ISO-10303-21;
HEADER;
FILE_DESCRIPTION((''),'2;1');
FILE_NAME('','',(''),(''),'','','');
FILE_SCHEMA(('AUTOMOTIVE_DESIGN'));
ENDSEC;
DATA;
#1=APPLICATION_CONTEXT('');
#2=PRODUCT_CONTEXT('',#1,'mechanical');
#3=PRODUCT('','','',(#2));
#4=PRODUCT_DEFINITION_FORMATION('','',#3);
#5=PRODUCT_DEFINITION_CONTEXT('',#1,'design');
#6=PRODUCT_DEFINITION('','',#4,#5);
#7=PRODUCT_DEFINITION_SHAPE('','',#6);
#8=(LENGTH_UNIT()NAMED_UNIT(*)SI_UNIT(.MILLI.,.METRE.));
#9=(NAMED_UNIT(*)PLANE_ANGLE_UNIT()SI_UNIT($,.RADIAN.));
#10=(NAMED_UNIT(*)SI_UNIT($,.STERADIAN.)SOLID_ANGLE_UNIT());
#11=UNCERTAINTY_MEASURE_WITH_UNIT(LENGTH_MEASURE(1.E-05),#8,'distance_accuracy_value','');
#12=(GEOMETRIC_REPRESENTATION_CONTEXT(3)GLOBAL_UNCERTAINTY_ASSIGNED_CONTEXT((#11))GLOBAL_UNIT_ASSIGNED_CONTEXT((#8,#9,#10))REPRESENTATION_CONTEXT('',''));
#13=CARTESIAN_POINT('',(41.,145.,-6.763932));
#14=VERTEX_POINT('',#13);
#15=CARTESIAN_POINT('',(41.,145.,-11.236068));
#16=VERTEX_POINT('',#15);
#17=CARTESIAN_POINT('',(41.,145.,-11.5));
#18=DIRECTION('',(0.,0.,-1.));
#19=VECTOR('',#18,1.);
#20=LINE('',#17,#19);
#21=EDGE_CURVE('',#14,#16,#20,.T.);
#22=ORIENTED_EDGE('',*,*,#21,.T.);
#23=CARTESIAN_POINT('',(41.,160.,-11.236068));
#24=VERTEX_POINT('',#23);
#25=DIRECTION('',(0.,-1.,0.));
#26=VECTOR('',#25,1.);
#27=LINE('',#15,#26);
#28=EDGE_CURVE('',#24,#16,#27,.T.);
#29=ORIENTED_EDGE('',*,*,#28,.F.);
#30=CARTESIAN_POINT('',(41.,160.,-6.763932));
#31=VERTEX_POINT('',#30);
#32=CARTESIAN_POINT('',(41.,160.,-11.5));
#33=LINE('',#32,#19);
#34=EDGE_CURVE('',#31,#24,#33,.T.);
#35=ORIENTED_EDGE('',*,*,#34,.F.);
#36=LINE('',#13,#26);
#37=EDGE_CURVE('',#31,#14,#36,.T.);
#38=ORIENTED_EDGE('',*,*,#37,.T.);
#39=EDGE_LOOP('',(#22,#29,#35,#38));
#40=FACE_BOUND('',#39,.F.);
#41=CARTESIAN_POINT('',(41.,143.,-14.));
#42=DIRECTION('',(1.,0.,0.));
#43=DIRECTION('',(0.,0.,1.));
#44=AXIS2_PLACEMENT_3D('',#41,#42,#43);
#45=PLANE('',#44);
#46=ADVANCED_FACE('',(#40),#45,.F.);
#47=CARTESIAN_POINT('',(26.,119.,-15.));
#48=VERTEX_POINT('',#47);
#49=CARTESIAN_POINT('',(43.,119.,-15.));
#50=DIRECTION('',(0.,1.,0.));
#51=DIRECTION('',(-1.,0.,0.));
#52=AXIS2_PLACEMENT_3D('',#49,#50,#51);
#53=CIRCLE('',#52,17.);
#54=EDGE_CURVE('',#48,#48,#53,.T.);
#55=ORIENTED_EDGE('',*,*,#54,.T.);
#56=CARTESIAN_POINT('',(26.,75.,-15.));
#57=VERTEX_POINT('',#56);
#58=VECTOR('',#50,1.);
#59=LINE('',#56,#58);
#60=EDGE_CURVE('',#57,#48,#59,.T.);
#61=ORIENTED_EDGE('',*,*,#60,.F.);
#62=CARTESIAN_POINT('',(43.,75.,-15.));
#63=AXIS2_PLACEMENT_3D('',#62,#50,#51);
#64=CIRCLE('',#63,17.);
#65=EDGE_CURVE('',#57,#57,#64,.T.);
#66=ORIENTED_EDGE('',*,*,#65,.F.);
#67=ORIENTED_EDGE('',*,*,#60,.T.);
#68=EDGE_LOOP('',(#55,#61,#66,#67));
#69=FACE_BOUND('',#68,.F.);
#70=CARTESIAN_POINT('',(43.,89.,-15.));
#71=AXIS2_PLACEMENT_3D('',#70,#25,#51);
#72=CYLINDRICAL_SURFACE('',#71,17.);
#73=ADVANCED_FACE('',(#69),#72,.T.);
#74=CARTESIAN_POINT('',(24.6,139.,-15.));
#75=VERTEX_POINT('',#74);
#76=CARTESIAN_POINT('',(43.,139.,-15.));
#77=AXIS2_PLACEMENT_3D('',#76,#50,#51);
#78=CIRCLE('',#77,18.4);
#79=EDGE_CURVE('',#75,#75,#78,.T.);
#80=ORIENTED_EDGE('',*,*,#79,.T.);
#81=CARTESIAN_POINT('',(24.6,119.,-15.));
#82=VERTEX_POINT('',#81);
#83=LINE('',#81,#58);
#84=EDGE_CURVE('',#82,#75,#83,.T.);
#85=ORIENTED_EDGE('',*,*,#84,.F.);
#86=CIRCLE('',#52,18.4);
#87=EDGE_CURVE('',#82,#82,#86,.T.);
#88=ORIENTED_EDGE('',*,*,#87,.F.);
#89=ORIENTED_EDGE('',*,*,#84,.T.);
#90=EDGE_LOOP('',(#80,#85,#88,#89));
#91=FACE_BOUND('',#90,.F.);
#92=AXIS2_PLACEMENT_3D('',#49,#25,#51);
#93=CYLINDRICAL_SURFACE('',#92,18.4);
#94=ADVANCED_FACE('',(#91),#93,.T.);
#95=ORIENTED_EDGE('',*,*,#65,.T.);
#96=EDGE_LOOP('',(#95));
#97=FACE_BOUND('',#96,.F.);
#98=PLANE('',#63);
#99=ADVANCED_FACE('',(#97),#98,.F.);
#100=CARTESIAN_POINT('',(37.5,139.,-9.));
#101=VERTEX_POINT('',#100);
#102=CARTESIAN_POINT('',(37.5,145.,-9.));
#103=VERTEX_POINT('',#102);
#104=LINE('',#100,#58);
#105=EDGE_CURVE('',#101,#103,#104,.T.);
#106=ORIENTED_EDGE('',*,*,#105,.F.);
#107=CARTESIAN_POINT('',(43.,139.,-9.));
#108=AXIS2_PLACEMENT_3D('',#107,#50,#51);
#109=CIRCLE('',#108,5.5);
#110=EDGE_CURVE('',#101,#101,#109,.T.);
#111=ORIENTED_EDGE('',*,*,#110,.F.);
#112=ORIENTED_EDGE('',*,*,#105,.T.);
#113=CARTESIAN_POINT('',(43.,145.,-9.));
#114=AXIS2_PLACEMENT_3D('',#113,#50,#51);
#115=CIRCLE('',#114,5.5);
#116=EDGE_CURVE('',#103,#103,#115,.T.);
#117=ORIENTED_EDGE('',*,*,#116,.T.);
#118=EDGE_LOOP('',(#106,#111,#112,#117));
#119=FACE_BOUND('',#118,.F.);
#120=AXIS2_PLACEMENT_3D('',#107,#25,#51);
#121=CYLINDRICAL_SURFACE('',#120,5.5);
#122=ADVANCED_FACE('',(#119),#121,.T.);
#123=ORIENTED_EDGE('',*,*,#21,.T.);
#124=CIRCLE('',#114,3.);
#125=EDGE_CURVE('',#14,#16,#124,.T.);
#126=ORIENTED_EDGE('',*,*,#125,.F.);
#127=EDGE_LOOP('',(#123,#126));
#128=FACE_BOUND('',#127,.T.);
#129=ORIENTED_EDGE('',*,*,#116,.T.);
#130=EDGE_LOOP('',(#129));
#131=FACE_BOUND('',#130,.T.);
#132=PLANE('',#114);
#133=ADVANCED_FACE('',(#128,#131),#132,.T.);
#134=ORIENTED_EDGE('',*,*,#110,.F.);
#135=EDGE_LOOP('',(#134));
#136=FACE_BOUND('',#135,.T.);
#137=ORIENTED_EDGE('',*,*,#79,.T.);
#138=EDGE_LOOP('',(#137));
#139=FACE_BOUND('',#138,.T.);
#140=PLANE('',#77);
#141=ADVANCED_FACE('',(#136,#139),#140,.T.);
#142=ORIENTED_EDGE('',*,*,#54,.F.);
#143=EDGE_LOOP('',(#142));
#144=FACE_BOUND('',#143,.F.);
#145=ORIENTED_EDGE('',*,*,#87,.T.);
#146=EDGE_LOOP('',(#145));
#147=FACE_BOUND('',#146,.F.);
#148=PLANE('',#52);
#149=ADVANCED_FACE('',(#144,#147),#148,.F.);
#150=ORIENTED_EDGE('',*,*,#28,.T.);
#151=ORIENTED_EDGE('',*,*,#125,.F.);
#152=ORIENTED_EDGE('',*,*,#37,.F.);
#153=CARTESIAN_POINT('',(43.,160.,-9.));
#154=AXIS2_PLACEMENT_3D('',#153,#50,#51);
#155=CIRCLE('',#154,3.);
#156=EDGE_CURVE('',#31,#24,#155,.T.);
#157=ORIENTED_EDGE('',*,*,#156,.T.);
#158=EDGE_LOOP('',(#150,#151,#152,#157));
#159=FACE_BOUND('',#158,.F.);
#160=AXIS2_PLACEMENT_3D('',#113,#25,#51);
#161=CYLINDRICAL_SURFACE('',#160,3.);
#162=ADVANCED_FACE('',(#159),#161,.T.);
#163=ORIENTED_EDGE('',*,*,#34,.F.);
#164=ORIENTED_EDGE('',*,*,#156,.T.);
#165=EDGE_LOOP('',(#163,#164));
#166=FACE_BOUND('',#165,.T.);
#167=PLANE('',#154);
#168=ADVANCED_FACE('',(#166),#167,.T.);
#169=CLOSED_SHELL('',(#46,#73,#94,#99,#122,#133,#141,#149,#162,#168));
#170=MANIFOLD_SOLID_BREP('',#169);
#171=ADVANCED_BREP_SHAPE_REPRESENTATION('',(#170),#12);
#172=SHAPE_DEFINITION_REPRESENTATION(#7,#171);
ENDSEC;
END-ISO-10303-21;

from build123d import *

# Parameters (mm, degrees)
CYLINDER019_R             = 17
CYLINDER019_DEPTH         = 14
CYLINDER020_R             = 5.5
CYLINDER020_DEPTH         = 6
CYLINDER018_R             = 17
CYLINDER018_DEPTH         = 30
BOX003_W                  = 11
BOX003_H                  = 10
BOX003_DEPTH              = 21
CYLINDER021_R             = 3
CYLINDER021_DEPTH         = 15
CYLINDER017_R             = 18.4
CYLINDER017_DEPTH         = 20
FUSION003_ROLL_ANGLE      = 90
FUSION003_PLACEMENT_ANGLE = 180


with BuildPart() as encoder002:
    # Cylinder019 → Cylinder019 (new body)
    with BuildSketch(Plane(origin=(0, -298, 0), x_dir=(1, 0, 0), z_dir=(0, 0, 1))):
        Circle(CYLINDER019_R)
    extrude(amount=CYLINDER019_DEPTH)


with BuildPart() as cilindro004:
    # Cylinder020 → Cylinder020 (new body)
    with BuildSketch(Plane(origin=(0, -292, 64), x_dir=(1, 0, 0), z_dir=(0, 0, 1))):
        Circle(CYLINDER020_R)
    extrude(amount=CYLINDER020_DEPTH)


with BuildPart() as motor002:
    # Cylinder018 → Cylinder018 (new body)
    with BuildSketch(Plane(origin=(0, -298, 14), x_dir=(1, 0, 0), z_dir=(0, 0, 1))):
        Circle(CYLINDER018_R)
    extrude(amount=CYLINDER018_DEPTH)


with BuildPart() as cubo002:
    # Box003 → Box003 (new body)
    with BuildSketch(Plane(origin=(2, -191, -2), x_dir=(1, 0, 0), z_dir=(0, 0, 1))):
        with Locations((5.5, 5)):
            Rectangle(BOX003_W, BOX003_H)
    extrude(amount=BOX003_DEPTH)


with BuildPart() as cut002:
    # Cylinder021 → Cylinder021 (new body)
    with BuildSketch(Plane(origin=(0, -186, 0), x_dir=(1, 0, 0), z_dir=(0, 0, 1))):
        Circle(CYLINDER021_R)
    extrude(amount=CYLINDER021_DEPTH)

    # Cut002: cut Cubo002
    add(cubo002.part, mode=Mode.SUBTRACT)


with BuildPart() as cut002_1:
    # Cut002 placement: moved
    add(cut002.part.moved(Location((0, -106, 70))))


with BuildPart() as motor_37dx68l001_izquierda001:
    # Cylinder017 → Cylinder017 (new body)
    with BuildSketch(Plane(origin=(0, -298, 44), x_dir=(1, 0, 0), z_dir=(0, 0, 1))):
        Circle(CYLINDER017_R)
    extrude(amount=CYLINDER017_DEPTH)

    # Fusion003: union Encoder002, Cilindro004, Motor002, Cut002
    add(encoder002.part)
    add(cilindro004.part)
    add(motor002.part)
    add(cut002_1.part)


with BuildPart() as motor_37dx68l001_izquierda001_1:
    # Fusion003 roll: moved
    add(motor_37dx68l001_izquierda001.part.rotate(Axis((0, 0, 0), (1, 0, 0)), FUSION003_ROLL_ANGLE))


with BuildPart() as motor_37dx68l001_izquierda001_2:
    # Fusion003 placement: moved
    add(motor_37dx68l001_izquierda001_1.part.moved(Location((43, 75, 283))).rotate(Axis((43, 75, 283), (0, 0, 1)), FUSION003_PLACEMENT_ANGLE))


solid = motor_37dx68l001_izquierda001_2.part
